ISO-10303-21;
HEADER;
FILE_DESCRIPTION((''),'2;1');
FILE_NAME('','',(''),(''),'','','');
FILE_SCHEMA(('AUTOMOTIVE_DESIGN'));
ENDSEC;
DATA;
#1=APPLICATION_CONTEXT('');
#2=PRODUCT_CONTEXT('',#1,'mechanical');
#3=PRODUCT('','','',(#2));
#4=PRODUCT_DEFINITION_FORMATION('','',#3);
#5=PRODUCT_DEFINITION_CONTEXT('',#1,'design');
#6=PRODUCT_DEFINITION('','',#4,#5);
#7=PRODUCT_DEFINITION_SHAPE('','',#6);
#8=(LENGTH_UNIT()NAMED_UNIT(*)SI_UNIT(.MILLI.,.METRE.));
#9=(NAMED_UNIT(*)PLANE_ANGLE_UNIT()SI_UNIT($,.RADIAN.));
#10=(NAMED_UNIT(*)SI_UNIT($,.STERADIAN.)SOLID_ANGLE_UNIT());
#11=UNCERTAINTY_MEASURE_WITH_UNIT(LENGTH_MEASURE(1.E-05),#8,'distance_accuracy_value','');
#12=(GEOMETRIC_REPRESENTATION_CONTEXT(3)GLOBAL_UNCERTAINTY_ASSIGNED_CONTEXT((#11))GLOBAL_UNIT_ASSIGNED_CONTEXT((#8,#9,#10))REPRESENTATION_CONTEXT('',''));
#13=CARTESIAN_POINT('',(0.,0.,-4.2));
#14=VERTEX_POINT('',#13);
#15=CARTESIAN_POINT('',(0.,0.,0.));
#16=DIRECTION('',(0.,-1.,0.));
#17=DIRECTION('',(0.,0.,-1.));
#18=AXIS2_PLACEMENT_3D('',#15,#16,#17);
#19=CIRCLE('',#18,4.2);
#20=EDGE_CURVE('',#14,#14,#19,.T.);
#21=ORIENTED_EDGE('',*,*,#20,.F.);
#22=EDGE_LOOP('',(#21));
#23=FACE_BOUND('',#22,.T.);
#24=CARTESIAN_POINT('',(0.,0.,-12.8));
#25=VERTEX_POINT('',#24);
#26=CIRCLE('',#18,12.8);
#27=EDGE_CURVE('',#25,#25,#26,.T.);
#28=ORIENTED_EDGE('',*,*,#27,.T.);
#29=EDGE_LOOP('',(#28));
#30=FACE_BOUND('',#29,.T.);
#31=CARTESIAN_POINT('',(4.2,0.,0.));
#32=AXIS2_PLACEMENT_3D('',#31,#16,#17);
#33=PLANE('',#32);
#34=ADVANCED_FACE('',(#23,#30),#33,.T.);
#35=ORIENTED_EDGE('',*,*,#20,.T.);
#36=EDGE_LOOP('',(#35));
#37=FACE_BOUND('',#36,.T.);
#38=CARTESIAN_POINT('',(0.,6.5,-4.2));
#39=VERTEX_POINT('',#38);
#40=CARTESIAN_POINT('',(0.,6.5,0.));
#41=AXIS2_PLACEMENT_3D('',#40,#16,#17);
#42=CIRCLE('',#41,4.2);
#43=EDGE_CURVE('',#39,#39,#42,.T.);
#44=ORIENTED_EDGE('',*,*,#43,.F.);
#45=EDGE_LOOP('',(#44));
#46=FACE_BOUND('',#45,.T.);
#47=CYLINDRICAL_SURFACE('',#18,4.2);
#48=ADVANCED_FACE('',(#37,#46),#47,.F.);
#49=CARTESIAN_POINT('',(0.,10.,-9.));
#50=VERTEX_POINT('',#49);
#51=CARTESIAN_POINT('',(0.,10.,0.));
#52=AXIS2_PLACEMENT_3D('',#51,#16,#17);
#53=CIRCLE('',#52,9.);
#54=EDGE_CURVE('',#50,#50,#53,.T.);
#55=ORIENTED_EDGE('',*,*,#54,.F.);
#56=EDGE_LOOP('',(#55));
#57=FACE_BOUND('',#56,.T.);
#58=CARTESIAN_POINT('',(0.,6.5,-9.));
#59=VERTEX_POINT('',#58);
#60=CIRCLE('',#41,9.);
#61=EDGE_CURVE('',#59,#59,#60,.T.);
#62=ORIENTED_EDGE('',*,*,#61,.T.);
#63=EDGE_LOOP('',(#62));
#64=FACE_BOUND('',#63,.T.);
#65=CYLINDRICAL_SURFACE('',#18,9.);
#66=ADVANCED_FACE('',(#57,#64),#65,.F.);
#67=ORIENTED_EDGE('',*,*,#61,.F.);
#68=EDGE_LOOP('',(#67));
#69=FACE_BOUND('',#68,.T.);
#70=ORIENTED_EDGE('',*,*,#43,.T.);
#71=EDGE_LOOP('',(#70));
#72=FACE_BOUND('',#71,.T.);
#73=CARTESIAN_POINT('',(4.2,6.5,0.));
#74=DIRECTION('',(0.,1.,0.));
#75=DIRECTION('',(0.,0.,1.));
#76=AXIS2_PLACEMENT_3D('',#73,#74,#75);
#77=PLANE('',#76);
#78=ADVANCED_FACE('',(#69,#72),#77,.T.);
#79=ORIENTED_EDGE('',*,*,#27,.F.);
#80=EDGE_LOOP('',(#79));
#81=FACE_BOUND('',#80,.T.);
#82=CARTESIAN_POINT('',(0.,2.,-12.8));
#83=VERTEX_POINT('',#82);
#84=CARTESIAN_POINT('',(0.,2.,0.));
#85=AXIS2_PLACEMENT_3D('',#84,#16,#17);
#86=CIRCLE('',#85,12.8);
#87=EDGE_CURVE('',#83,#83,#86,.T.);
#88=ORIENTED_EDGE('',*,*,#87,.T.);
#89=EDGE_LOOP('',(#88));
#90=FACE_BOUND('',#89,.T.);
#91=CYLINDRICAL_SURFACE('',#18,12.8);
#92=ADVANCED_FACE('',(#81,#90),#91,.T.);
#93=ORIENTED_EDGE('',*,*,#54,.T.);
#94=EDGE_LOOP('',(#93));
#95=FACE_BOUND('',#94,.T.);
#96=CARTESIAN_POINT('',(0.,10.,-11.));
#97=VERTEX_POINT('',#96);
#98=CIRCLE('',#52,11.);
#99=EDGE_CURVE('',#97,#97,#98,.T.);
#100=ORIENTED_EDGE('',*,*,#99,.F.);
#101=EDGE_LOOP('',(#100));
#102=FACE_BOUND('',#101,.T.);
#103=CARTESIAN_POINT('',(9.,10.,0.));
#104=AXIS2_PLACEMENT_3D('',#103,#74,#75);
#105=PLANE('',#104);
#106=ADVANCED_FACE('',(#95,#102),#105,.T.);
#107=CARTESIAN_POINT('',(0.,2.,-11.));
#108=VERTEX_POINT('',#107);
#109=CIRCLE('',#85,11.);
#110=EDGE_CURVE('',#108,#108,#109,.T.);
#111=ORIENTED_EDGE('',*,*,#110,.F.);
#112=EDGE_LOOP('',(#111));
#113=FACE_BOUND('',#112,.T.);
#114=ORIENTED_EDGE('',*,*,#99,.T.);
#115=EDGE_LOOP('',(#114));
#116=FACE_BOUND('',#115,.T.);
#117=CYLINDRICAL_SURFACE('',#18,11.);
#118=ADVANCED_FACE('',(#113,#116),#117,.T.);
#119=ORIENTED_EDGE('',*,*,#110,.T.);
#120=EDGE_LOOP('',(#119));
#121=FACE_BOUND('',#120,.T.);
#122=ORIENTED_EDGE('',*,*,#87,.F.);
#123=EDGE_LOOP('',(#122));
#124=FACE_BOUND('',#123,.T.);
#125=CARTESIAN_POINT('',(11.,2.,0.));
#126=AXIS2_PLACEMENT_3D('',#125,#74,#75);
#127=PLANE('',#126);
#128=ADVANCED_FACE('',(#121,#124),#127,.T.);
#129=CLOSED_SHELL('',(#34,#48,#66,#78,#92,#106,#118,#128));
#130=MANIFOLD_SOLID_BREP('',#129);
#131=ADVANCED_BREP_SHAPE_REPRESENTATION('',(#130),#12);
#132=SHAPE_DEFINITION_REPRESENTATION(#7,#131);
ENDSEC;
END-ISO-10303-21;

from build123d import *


with BuildPart() as part:
    # Sketch4 → Revolve1 (revolve)
    with BuildSketch(Plane.XY, mode=Mode.PRIVATE) as revolve1_sk:
        Polygon((4.2, 0), (4.2, 6.5), (9, 6.5), (9, 10), (11, 10), (11, 2), (12.8, 2), (12.8, 0), align=None)
    revolve(revolve1_sk.sketch.rotate(Axis((0, 0, 0), (0, 1, 0)), 90), axis=Axis((0, 0, 0), (0, 1, 0)))


solid = part.part
